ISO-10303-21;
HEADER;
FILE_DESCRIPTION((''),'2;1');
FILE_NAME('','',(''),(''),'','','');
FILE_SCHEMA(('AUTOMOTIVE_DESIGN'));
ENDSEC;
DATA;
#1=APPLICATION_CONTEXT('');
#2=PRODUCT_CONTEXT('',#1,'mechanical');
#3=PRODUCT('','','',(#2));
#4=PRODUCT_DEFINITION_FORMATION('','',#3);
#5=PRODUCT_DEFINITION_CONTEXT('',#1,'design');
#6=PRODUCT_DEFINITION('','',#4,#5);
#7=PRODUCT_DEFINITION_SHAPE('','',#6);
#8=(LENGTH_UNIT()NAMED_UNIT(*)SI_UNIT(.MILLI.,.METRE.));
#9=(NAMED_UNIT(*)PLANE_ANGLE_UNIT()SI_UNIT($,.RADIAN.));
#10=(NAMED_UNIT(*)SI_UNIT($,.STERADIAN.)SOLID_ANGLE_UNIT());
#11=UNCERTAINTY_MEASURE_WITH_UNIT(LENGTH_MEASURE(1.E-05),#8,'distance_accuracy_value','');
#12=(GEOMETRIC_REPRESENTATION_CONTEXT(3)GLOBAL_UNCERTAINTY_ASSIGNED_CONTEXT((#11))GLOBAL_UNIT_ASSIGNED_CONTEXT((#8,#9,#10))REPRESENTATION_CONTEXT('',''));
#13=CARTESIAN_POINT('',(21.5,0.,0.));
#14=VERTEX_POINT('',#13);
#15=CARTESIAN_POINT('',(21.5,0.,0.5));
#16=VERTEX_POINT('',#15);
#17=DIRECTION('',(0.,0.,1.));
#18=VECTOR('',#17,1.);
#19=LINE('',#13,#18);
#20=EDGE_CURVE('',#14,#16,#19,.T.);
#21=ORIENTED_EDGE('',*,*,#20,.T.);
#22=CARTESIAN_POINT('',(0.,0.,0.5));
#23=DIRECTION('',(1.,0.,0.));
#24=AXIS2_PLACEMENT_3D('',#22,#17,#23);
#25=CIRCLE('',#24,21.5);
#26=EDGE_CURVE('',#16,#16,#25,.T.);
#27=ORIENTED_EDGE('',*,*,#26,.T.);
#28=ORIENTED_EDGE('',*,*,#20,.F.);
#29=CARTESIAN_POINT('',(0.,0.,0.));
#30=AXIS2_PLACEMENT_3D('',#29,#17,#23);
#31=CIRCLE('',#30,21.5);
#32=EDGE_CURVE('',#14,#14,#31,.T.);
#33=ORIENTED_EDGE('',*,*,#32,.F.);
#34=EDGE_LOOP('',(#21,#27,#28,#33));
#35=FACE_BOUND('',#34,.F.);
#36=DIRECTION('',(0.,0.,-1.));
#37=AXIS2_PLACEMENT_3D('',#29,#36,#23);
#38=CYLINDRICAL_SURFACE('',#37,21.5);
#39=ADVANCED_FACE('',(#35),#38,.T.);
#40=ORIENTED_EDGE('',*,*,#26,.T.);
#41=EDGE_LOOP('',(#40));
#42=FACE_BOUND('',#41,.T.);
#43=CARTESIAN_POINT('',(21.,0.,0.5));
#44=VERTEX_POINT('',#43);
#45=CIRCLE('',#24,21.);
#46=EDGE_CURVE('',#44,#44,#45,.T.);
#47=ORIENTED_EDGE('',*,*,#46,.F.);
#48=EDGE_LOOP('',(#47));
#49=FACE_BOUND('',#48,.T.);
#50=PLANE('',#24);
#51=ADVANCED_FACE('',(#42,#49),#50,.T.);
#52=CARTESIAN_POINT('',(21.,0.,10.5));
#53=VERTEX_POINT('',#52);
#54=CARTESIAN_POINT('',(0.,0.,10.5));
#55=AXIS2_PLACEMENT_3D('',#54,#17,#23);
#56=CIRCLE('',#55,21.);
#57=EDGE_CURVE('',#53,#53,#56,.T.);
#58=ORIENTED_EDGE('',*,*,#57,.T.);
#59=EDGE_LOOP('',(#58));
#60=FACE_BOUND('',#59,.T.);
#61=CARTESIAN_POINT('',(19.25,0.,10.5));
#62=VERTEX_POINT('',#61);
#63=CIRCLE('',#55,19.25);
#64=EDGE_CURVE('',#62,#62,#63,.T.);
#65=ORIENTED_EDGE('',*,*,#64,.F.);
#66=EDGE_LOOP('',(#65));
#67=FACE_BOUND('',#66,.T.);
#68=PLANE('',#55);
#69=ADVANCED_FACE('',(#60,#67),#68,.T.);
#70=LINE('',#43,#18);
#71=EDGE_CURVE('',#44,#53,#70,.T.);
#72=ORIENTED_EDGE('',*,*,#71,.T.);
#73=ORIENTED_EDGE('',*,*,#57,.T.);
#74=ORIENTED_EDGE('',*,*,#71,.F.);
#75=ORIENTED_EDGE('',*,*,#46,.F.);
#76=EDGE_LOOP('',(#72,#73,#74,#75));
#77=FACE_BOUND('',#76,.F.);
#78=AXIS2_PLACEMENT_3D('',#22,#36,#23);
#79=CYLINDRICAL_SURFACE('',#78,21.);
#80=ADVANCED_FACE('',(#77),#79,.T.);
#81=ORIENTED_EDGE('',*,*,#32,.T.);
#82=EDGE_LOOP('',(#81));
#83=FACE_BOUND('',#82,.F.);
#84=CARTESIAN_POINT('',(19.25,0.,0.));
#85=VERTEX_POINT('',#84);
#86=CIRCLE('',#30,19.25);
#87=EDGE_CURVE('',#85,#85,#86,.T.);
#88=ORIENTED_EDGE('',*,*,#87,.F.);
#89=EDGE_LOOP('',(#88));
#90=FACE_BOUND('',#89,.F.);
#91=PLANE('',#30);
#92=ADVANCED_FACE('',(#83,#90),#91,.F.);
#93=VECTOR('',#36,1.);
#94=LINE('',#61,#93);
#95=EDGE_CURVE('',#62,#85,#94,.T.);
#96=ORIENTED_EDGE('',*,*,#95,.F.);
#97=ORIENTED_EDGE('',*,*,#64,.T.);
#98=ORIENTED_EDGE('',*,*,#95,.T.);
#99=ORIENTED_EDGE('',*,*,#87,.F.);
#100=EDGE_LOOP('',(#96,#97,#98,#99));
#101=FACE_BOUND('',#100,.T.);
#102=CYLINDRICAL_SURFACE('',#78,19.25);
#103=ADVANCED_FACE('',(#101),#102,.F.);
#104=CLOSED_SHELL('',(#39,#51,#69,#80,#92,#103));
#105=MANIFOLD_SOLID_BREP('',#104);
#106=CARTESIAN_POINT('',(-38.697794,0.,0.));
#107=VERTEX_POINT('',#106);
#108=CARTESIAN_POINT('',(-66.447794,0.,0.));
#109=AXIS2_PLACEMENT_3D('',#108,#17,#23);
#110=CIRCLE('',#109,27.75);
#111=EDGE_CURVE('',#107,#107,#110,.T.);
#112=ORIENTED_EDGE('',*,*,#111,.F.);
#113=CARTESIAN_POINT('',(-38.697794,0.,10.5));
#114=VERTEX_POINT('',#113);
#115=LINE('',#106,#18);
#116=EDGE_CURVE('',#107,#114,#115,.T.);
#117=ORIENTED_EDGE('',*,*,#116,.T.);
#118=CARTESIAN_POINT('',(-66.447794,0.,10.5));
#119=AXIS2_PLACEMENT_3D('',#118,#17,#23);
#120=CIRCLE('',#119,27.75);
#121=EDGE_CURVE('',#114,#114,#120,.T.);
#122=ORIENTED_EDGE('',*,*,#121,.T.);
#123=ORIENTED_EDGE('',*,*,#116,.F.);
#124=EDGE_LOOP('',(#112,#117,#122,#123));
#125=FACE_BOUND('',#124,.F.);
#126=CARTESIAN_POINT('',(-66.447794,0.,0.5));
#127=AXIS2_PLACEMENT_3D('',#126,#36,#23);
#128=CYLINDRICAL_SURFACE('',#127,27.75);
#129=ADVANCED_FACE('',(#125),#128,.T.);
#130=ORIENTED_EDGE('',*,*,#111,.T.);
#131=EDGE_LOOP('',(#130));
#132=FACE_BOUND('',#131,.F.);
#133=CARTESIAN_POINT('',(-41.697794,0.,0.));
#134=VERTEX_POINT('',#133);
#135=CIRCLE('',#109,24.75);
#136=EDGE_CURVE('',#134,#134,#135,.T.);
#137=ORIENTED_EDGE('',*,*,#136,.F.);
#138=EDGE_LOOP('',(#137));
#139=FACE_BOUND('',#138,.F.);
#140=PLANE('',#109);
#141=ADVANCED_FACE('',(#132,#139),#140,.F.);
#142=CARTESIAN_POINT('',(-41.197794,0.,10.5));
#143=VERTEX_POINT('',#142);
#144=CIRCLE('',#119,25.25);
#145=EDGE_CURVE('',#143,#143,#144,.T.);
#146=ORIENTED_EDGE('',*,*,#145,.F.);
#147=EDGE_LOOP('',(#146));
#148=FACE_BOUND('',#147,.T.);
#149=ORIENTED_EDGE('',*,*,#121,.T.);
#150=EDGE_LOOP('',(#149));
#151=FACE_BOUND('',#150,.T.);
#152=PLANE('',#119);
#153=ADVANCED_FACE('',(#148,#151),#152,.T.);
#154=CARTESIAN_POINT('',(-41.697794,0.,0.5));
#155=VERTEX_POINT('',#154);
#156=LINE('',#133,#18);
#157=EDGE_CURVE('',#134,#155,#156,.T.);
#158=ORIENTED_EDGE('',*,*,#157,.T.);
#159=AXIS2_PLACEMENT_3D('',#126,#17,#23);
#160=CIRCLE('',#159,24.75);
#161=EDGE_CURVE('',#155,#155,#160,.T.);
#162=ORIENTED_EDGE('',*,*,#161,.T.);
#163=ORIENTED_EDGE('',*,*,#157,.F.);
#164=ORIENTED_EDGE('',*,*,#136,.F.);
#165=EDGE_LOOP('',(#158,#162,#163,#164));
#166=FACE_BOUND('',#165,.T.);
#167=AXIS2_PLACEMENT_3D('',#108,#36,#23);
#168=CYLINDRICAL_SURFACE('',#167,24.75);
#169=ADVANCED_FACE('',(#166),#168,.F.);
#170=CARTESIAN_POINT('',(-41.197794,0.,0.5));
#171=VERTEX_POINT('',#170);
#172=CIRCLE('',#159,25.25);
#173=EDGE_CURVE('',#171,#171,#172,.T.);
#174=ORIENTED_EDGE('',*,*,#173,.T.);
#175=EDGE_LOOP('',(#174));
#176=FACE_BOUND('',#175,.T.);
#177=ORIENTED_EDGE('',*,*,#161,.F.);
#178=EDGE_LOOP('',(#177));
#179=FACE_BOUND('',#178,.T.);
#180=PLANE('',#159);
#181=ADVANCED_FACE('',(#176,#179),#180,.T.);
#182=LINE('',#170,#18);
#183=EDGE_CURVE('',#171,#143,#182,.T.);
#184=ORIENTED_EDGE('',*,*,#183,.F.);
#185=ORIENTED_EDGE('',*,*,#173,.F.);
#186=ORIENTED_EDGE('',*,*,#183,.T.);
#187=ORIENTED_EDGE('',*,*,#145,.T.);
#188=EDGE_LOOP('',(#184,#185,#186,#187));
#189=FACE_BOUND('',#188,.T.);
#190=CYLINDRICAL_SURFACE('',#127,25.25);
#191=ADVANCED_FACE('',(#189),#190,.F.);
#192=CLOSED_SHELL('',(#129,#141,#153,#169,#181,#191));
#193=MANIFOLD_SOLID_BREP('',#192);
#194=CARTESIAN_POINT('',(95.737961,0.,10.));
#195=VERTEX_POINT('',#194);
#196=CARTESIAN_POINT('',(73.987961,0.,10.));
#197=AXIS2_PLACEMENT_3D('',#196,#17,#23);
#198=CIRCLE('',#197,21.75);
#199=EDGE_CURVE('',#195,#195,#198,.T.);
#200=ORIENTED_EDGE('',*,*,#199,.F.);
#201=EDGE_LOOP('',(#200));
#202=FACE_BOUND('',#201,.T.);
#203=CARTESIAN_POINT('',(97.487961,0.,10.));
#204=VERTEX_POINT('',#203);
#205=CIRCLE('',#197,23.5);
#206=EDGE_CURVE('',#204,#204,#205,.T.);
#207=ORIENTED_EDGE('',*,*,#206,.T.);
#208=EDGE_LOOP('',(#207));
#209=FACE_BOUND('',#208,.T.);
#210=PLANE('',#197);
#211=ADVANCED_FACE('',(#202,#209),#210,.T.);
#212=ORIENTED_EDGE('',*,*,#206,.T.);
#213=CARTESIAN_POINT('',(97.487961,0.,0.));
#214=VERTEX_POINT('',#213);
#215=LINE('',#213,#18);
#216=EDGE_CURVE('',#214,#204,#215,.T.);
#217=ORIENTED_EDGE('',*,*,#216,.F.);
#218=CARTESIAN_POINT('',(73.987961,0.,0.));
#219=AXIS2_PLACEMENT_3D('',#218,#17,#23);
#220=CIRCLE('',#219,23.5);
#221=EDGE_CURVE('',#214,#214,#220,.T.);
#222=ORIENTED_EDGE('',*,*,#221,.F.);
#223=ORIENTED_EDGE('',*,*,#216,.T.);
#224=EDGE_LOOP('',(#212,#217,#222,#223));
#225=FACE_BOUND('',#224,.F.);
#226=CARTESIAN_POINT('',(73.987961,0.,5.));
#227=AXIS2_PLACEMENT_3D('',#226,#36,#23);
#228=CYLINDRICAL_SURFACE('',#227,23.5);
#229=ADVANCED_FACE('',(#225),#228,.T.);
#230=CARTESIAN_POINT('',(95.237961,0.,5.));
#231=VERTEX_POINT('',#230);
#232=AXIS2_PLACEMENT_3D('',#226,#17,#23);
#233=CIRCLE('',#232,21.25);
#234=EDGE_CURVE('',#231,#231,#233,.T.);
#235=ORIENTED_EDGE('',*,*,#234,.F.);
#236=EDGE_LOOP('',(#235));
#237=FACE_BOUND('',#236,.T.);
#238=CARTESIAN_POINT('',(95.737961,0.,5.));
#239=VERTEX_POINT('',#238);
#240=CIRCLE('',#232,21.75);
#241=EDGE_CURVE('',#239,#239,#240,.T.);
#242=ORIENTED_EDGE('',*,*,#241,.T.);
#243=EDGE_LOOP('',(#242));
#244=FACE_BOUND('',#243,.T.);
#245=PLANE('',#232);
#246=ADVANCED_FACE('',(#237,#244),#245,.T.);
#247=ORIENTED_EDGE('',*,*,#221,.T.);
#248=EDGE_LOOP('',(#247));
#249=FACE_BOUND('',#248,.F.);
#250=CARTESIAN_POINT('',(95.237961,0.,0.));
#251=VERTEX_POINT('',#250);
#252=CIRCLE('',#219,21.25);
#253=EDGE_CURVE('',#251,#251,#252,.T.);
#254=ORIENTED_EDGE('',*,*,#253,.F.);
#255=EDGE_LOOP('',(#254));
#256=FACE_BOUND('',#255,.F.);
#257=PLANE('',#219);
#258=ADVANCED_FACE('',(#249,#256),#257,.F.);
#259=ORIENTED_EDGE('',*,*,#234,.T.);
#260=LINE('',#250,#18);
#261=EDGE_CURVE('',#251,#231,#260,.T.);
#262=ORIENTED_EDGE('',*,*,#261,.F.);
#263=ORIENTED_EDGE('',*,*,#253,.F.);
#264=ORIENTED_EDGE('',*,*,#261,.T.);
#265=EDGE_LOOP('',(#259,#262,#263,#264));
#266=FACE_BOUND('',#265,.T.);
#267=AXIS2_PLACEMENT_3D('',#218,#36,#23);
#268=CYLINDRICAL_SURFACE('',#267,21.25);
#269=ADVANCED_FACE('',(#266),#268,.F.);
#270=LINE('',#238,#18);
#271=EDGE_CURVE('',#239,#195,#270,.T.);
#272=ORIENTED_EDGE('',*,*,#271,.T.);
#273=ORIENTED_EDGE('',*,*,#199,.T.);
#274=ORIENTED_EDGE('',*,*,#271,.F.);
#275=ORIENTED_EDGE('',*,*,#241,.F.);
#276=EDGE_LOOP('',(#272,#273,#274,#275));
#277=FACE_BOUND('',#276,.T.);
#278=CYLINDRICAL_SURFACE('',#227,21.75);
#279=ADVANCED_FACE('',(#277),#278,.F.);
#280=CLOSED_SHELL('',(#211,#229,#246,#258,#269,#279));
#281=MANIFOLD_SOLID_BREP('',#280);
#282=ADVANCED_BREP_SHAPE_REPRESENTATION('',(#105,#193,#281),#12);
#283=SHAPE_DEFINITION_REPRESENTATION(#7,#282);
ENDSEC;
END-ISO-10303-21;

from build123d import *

# Parameters (mm, degrees)
F0_R      = 21.5
F0_R_2    = 19.25
F1_DEPTH  = 0.5
F2_R      = 21
F2_R_2    = 19.25
F3_DEPTH  = 10
F4_R      = 23.5
F4_R_2    = 21.25
F5_DEPTH  = 5
F6_R      = 23.5
F6_R_2    = 21.75
F7_DEPTH  = 5
F8_R      = 27.75
F8_R_2    = 24.75
F9_DEPTH  = 0.5
F10_R     = 27.75
F10_R_2   = 25.25
F11_DEPTH = 10


with BuildPart() as f1:
    # F0 (on Top) → F1 (new body)
    with BuildSketch(Plane.XY):
        Circle(F0_R)
        Circle(F0_R_2, mode=Mode.SUBTRACT)
    extrude(amount=F1_DEPTH)

    # F2 (on face) → F3 (join)
    with BuildSketch(Plane.XY.offset(0.5)):
        Circle(F2_R)
        Circle(F2_R_2, mode=Mode.SUBTRACT)
    extrude(amount=F3_DEPTH)


with BuildPart() as f5:
    # F4 (on Top) → F5 (new body)
    with BuildSketch(Plane.XY):
        with Locations((73.987961, 0)):
            Circle(F4_R)
        with Locations((73.987961, 0)):
            Circle(F4_R_2, mode=Mode.SUBTRACT)
    extrude(amount=F5_DEPTH)

    # F6 (on face) → F7 (join)
    with BuildSketch(Plane.XY.offset(5)):
        with Locations((73.987961, 0)):
            Circle(F6_R)
        with Locations((73.987961, 0)):
            Circle(F6_R_2, mode=Mode.SUBTRACT)
    extrude(amount=F7_DEPTH)


with BuildPart() as f9:
    # F8 (on Top) → F9 (new body)
    with BuildSketch(Plane.XY):
        with Locations((-66.447794, 0)):
            Circle(F8_R)
        with Locations((-66.447794, 0)):
            Circle(F8_R_2, mode=Mode.SUBTRACT)
    extrude(amount=F9_DEPTH)

    # F10 (on face) → F11 (join)
    with BuildSketch(Plane.XY.offset(0.5)):
        with Locations((-66.447794, 0)):
            Circle(F10_R)
        with Locations((-66.447794, 0)):
            Circle(F10_R_2, mode=Mode.SUBTRACT)
    extrude(amount=F11_DEPTH)


solid = Compound([f1.part, f5.part, f9.part])
